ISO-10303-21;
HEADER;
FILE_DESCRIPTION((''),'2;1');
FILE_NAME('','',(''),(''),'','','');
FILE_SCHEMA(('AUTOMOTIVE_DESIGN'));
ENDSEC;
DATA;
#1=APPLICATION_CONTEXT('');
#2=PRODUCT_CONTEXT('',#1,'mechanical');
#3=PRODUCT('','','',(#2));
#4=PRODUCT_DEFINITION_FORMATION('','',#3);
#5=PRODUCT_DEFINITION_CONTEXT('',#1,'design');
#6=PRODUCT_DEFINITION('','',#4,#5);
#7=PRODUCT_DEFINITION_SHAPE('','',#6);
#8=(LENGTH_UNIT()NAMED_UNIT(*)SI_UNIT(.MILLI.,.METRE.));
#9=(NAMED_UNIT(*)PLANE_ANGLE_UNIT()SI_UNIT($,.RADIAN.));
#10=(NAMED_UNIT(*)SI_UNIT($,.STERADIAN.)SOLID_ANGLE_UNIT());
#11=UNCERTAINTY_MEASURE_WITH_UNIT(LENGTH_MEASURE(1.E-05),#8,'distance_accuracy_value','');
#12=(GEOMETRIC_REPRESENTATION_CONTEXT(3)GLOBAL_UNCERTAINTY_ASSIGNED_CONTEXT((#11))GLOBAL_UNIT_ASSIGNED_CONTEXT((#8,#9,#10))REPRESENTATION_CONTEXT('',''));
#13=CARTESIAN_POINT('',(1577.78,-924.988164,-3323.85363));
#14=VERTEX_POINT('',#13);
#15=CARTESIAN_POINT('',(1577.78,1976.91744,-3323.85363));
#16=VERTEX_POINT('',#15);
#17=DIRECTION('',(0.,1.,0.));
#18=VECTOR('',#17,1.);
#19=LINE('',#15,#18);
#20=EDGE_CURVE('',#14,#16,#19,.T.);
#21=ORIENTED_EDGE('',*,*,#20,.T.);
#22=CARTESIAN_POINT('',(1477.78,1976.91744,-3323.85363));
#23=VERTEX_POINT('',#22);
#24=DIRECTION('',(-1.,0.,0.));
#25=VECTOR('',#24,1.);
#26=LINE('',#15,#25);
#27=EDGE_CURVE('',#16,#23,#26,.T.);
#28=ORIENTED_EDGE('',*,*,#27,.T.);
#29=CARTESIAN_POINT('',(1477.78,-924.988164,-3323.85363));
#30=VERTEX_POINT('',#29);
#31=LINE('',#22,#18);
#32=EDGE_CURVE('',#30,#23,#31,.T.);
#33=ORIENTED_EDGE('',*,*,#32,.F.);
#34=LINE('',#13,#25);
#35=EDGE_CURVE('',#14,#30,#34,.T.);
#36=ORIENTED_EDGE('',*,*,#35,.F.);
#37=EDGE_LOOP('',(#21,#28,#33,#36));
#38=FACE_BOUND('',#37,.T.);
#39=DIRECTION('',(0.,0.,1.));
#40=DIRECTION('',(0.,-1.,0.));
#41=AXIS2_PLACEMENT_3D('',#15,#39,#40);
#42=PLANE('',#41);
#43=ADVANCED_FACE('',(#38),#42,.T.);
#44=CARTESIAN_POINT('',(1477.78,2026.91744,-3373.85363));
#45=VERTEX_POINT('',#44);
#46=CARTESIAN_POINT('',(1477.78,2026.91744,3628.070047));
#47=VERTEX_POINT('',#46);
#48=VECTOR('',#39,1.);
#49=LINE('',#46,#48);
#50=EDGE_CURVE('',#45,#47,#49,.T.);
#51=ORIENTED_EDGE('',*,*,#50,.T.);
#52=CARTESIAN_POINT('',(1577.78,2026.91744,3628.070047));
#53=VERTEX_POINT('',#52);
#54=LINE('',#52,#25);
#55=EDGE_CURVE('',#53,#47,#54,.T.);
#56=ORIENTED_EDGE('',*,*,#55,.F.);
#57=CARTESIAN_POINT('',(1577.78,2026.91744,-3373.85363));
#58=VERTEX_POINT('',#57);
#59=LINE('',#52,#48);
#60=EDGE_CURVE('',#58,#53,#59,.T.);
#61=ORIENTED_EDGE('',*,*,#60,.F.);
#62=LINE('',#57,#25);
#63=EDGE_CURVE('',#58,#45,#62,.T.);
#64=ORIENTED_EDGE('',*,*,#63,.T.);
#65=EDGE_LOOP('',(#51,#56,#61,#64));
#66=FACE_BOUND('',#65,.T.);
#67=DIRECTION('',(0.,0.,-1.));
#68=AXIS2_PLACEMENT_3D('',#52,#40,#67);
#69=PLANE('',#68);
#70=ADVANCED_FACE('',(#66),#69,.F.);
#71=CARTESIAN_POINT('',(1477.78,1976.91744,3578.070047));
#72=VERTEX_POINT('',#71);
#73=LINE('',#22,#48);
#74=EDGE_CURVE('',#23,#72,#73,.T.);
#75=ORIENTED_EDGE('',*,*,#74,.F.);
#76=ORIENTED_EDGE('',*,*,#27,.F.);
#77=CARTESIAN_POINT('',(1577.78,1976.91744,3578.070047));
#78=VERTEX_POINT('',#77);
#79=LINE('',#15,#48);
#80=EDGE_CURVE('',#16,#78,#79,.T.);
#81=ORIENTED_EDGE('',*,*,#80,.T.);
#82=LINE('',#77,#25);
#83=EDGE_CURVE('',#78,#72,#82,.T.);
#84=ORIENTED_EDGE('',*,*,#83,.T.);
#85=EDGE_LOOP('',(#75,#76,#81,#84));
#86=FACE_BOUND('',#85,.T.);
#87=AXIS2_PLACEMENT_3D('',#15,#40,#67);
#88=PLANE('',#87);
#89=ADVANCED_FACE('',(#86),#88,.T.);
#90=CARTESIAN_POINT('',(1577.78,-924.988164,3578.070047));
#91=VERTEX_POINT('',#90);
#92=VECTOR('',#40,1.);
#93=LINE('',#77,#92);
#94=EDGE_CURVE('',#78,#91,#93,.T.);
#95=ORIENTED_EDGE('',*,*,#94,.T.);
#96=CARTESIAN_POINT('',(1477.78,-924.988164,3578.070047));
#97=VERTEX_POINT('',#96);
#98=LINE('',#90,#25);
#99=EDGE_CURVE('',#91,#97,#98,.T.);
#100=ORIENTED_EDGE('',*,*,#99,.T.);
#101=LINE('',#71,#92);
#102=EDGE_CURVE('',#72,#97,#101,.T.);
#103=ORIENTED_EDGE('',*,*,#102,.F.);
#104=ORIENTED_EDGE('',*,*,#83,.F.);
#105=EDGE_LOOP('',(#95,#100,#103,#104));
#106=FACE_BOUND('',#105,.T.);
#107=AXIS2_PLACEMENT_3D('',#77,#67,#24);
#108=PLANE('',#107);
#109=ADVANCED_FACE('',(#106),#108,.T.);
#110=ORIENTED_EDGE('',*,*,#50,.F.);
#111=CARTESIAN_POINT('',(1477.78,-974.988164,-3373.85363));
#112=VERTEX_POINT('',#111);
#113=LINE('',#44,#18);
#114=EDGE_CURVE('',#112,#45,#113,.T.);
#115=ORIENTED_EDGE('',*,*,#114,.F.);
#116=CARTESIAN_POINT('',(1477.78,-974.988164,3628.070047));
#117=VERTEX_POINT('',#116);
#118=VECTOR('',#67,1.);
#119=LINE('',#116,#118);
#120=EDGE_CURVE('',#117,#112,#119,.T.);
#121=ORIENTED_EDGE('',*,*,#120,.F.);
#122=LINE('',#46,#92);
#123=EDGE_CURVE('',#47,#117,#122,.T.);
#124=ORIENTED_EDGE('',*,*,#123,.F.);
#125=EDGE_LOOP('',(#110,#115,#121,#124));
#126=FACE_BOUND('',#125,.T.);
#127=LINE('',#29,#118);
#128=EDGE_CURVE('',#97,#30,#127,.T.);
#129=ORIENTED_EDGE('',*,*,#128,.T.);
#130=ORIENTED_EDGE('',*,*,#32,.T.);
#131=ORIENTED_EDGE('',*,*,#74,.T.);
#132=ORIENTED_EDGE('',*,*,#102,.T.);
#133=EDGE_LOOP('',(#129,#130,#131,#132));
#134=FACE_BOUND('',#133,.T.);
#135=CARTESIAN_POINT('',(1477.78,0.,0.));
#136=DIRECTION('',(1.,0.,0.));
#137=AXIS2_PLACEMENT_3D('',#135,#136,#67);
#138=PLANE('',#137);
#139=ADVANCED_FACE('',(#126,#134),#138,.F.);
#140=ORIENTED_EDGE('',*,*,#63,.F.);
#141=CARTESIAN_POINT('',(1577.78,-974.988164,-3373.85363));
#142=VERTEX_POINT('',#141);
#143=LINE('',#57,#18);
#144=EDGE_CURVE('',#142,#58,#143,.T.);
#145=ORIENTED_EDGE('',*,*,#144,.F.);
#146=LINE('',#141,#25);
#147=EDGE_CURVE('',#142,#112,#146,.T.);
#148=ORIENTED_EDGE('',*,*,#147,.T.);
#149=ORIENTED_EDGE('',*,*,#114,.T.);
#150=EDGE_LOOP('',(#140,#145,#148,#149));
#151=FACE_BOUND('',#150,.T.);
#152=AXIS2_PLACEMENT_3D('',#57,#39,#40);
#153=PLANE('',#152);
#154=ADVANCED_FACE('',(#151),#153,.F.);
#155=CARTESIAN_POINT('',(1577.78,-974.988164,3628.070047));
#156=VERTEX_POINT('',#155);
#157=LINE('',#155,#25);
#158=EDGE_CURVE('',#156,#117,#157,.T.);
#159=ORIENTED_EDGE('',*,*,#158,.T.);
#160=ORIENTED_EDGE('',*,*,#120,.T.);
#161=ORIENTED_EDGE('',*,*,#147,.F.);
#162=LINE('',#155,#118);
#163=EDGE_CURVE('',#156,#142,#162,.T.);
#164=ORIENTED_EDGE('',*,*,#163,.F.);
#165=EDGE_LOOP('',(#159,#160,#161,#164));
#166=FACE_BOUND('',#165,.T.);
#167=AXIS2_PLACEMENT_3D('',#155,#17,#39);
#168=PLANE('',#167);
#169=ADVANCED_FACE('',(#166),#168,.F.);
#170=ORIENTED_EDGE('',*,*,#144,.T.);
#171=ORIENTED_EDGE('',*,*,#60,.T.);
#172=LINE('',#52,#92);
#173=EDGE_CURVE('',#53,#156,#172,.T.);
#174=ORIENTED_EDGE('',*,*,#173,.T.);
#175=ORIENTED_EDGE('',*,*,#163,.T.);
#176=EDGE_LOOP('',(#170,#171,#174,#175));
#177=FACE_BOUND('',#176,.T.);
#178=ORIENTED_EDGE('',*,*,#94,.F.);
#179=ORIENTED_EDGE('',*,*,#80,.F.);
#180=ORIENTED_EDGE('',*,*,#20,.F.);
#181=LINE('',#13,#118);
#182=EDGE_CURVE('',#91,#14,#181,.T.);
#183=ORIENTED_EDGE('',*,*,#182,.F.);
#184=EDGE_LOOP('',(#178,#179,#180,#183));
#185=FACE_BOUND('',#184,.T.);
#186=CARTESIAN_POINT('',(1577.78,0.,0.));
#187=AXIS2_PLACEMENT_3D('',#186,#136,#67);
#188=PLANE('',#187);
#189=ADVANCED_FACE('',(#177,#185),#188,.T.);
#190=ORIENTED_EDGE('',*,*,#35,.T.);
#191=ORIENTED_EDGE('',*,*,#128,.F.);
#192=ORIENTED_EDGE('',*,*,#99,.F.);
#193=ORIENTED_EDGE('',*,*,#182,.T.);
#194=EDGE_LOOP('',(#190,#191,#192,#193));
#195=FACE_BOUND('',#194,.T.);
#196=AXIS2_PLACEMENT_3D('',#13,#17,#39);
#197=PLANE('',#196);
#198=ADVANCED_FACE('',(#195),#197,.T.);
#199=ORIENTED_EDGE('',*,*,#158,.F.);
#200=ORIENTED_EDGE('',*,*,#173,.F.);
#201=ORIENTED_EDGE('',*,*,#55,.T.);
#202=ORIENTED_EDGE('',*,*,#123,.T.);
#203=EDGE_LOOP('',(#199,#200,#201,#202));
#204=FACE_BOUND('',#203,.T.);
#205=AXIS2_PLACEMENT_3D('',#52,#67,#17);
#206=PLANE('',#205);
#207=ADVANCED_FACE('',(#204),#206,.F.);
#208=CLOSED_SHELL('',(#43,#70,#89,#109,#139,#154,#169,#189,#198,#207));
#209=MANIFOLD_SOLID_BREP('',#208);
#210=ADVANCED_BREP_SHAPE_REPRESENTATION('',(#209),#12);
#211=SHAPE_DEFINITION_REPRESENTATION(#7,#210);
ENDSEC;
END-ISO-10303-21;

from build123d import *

# Parameters (mm, degrees)
SKETCH1_W           = 7001.9236766
SKETCH1_H           = 3001.90560415
SKETCH1_W_2         = 6901.9236766
SKETCH1_H_2         = 2901.90560415
BOSS_EXTRUDE1_DEPTH = 100


with BuildPart() as part:
    # Sketch1 → Boss-Extrude1 (new body)
    with BuildSketch(Plane(origin=(1477.78, 0, 0), x_dir=(0, 0, -1), z_dir=(1, 0, 0))):
        with Locations((-127.1082083, 525.964637925)):
            Rectangle(SKETCH1_W, SKETCH1_H)
        with Locations((-127.1082083, 525.964637925)):
            Rectangle(SKETCH1_W_2, SKETCH1_H_2, mode=Mode.SUBTRACT)
    extrude(amount=BOSS_EXTRUDE1_DEPTH)


solid = part.part
